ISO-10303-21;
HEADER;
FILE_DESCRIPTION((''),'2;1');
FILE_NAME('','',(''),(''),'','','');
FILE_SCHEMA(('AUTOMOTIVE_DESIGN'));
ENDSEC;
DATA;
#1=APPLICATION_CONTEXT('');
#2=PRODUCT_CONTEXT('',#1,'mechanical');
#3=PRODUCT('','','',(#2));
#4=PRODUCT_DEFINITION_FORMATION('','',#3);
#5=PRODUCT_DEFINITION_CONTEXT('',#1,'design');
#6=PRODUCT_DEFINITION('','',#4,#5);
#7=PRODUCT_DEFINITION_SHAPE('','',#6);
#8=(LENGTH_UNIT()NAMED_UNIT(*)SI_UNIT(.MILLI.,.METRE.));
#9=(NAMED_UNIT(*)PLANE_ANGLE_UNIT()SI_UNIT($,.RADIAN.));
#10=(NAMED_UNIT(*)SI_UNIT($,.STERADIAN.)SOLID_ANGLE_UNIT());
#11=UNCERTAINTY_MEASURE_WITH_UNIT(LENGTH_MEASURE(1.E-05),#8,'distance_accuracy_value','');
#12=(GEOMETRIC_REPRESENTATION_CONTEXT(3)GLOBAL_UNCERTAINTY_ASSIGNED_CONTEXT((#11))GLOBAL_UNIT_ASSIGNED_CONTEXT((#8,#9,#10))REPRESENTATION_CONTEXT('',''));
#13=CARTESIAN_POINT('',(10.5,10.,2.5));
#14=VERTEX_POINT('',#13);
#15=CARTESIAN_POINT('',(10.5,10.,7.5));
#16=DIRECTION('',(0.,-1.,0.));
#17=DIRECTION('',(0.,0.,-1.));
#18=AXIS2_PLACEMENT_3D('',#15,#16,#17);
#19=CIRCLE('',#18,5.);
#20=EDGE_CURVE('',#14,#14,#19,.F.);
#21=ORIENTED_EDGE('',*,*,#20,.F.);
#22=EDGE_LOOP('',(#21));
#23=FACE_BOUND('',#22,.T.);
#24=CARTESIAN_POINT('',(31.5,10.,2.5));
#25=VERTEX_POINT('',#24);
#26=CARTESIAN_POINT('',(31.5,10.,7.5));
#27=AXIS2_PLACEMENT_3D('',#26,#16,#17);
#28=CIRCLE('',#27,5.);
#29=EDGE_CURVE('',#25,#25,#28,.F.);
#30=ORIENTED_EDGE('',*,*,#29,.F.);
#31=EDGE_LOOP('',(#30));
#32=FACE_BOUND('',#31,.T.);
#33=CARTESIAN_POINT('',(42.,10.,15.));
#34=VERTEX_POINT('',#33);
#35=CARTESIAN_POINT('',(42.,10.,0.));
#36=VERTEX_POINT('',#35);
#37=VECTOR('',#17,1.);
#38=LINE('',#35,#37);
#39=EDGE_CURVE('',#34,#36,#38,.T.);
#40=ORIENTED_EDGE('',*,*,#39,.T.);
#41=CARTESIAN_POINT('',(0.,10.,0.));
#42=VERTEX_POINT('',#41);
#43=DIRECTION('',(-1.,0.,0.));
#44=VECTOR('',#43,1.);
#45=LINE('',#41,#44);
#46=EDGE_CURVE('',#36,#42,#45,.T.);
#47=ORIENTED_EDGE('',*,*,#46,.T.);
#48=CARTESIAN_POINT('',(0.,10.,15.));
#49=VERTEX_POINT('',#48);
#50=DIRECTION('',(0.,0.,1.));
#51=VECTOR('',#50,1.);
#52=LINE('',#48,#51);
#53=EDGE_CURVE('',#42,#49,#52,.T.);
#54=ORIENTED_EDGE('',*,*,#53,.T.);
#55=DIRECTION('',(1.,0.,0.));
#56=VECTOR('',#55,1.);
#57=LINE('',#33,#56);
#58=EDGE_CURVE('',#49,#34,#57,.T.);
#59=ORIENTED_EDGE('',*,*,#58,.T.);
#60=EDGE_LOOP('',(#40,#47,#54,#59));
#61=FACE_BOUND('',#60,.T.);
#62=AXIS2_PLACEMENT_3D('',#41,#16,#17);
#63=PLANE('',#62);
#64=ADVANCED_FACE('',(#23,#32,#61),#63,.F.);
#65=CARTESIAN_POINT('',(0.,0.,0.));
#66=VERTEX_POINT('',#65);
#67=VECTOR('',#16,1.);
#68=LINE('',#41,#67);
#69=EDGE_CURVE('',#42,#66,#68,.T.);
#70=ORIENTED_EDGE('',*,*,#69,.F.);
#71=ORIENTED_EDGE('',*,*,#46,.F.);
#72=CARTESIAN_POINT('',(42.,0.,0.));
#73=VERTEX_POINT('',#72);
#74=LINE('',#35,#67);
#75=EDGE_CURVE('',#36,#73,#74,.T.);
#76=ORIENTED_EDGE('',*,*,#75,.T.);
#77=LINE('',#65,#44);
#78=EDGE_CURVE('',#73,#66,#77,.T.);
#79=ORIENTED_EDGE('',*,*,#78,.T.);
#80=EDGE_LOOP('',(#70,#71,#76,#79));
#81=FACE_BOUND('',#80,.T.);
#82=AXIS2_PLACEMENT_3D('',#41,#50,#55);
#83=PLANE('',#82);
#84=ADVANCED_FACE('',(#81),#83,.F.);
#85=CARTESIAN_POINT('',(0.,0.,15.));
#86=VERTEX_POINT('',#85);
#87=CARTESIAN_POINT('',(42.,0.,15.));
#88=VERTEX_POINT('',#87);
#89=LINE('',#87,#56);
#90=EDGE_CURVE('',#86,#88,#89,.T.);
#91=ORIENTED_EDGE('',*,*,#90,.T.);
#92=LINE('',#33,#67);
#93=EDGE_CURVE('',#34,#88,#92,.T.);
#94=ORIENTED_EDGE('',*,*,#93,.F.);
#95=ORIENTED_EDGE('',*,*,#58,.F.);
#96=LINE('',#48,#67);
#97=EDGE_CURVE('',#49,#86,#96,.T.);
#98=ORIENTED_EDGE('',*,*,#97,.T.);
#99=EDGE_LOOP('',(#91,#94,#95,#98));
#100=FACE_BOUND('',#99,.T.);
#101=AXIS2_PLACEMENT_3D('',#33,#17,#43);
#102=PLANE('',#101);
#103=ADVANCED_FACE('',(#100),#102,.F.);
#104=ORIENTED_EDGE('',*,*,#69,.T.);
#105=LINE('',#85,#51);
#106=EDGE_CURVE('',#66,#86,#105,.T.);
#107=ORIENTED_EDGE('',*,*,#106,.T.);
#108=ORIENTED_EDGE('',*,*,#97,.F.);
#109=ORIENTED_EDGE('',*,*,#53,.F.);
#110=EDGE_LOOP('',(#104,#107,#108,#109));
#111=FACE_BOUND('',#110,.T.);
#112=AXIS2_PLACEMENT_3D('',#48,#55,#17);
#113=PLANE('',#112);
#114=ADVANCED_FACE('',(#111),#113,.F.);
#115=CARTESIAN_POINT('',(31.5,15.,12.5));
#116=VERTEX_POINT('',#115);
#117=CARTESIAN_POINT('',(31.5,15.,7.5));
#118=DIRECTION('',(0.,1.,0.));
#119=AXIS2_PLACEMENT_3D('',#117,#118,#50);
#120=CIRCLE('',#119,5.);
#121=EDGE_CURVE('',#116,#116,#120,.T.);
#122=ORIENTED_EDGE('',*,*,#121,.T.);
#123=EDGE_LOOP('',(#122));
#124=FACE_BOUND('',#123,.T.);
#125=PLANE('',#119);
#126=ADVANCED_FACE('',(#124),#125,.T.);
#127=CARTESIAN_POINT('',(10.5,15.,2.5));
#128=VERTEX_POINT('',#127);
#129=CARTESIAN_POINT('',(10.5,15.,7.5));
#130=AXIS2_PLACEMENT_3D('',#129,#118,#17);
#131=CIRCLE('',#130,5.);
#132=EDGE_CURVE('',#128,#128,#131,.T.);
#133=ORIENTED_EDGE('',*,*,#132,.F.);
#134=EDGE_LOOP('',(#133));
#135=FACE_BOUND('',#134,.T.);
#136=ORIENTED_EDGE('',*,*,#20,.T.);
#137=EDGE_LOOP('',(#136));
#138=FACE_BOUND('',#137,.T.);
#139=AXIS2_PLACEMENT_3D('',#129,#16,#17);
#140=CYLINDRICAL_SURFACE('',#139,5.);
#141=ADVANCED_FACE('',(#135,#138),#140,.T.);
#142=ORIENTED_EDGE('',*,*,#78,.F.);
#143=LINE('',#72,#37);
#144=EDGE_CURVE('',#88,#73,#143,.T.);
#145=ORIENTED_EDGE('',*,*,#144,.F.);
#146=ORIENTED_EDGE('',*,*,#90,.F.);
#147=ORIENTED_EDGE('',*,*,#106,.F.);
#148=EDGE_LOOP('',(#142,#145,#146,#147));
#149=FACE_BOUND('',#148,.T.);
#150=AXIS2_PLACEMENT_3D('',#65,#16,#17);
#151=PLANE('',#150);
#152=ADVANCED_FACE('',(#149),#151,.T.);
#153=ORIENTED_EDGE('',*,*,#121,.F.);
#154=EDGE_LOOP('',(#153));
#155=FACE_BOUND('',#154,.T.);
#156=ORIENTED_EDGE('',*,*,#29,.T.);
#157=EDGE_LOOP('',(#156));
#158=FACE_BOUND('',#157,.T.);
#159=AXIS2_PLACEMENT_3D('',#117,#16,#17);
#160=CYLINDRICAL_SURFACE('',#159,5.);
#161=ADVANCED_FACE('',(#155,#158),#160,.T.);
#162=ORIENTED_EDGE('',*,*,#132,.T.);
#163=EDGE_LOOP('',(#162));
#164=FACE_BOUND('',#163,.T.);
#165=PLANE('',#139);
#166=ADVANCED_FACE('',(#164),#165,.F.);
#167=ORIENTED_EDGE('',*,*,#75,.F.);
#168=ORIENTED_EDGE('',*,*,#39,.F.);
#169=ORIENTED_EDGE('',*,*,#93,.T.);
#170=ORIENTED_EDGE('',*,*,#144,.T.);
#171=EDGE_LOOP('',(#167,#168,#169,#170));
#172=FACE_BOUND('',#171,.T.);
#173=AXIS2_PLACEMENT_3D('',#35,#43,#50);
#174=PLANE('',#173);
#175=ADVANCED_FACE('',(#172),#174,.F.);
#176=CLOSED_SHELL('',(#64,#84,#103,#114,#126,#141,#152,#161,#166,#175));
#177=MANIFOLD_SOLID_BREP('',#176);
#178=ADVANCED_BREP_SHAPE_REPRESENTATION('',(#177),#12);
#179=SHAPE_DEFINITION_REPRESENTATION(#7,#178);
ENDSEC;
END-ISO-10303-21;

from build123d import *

# Parameters (mm, degrees)
SKETCH_1_W      = 42
SKETCH_1_H      = 15
EXTRUDE_1_DEPTH = 10
SKETCH_2_R      = 5
EXTRUDE_2_DEPTH = 5


with BuildPart() as part:
    # 草图1 → 凸台-拉伸1 (new body)
    with BuildSketch(Plane(origin=(0, 0, 0), x_dir=(1, 0, 0), z_dir=(0, 1, 0))):
        with Locations((21, -7.5)):
            Rectangle(SKETCH_1_W, SKETCH_1_H)
    extrude(amount=EXTRUDE_1_DEPTH)

    # 草图2 → 凸台-拉伸2 (add)
    with BuildSketch(Plane(origin=(0, 10, 0), x_dir=(1, 0, 0), z_dir=(0, 1, 0))):
        with Locations((31.5, -7.5)):
            Circle(SKETCH_2_R)
        with Locations((10.5, -7.5)):
            Circle(SKETCH_2_R)
    extrude(amount=EXTRUDE_2_DEPTH)


solid = part.part
